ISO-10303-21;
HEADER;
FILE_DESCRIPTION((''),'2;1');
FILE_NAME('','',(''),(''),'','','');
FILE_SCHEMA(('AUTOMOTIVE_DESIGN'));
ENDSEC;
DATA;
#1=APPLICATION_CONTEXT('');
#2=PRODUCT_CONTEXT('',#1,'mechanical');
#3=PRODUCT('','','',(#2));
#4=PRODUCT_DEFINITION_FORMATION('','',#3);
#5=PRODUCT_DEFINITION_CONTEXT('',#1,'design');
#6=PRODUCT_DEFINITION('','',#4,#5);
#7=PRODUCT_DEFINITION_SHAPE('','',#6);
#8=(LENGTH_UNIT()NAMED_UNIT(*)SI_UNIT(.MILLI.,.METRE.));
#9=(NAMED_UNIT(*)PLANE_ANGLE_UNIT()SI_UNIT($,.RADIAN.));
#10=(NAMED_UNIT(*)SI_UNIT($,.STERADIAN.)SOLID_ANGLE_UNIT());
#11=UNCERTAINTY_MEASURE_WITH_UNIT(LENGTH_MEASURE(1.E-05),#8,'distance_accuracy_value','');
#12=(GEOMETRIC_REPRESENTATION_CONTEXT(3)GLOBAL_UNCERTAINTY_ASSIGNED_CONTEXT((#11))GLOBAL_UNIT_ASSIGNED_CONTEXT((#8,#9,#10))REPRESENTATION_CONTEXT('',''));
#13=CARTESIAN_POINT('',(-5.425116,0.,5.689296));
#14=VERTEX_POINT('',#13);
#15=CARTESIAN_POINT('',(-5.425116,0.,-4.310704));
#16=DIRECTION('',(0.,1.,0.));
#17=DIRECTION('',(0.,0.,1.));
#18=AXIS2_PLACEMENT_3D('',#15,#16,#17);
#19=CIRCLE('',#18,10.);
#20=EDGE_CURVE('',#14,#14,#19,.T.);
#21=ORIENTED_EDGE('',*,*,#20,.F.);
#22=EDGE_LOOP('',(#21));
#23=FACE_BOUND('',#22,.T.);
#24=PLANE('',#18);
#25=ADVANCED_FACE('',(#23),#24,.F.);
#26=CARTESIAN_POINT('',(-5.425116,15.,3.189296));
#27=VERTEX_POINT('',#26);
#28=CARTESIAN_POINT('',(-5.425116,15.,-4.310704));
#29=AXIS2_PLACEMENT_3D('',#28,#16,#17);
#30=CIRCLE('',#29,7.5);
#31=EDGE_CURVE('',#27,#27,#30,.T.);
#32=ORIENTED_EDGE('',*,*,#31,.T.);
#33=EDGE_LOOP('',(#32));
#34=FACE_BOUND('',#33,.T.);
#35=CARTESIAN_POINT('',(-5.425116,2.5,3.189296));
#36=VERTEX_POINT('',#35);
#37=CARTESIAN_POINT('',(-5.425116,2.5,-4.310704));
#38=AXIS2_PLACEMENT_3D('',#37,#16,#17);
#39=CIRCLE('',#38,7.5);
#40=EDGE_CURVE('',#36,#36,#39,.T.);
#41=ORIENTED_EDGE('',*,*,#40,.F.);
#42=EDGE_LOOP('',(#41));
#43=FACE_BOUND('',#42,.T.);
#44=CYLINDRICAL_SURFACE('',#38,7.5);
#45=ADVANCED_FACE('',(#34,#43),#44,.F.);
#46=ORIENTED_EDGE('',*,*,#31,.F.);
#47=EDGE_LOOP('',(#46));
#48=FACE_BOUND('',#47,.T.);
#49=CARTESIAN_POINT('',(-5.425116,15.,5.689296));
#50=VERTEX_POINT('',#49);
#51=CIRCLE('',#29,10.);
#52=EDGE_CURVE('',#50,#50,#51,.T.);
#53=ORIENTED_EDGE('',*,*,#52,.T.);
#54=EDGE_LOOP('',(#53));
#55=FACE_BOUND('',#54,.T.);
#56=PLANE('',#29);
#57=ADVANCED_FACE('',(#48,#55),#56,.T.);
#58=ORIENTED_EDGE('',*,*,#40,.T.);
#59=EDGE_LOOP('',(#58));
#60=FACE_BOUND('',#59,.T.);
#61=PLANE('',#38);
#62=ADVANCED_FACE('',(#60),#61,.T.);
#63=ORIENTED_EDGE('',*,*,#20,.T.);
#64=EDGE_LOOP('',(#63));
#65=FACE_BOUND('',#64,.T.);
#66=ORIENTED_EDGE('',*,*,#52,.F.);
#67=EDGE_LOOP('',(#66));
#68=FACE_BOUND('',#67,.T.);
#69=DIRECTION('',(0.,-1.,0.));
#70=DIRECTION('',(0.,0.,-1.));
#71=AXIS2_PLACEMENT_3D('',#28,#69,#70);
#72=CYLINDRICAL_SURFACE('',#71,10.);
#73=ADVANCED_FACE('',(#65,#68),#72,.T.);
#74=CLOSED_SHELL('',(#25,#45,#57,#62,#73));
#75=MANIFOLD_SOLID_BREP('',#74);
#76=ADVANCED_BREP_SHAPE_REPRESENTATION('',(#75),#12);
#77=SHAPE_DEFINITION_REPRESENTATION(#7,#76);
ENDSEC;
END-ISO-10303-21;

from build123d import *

# Parameters (mm, degrees)
SKETCH1_R           = 10
BOSS_EXTRUDE1_DEPTH = 15
SKETCH2_R           = 7.5
CUT_EXTRUDE1_DEPTH  = 12.5


with BuildPart() as part:
    # Sketch1 → Boss-Extrude1 (new body)
    with BuildSketch(Plane(origin=(0, 0, 0), x_dir=(1, 0, 0), z_dir=(0, 1, 0))):
        with Locations((-5.425115689, 4.310704304)):
            Circle(SKETCH1_R)
    extrude(amount=BOSS_EXTRUDE1_DEPTH)

    # Sketch2 → Cut-Extrude1 (cut)
    with BuildSketch(Plane(origin=(0, 15, 0), x_dir=(1, 0, 0), z_dir=(0, 1, 0))):
        with Locations((-5.425115689, 4.310704304)):
            Circle(SKETCH2_R)
    extrude(amount=-CUT_EXTRUDE1_DEPTH, mode=Mode.SUBTRACT)


solid = part.part
